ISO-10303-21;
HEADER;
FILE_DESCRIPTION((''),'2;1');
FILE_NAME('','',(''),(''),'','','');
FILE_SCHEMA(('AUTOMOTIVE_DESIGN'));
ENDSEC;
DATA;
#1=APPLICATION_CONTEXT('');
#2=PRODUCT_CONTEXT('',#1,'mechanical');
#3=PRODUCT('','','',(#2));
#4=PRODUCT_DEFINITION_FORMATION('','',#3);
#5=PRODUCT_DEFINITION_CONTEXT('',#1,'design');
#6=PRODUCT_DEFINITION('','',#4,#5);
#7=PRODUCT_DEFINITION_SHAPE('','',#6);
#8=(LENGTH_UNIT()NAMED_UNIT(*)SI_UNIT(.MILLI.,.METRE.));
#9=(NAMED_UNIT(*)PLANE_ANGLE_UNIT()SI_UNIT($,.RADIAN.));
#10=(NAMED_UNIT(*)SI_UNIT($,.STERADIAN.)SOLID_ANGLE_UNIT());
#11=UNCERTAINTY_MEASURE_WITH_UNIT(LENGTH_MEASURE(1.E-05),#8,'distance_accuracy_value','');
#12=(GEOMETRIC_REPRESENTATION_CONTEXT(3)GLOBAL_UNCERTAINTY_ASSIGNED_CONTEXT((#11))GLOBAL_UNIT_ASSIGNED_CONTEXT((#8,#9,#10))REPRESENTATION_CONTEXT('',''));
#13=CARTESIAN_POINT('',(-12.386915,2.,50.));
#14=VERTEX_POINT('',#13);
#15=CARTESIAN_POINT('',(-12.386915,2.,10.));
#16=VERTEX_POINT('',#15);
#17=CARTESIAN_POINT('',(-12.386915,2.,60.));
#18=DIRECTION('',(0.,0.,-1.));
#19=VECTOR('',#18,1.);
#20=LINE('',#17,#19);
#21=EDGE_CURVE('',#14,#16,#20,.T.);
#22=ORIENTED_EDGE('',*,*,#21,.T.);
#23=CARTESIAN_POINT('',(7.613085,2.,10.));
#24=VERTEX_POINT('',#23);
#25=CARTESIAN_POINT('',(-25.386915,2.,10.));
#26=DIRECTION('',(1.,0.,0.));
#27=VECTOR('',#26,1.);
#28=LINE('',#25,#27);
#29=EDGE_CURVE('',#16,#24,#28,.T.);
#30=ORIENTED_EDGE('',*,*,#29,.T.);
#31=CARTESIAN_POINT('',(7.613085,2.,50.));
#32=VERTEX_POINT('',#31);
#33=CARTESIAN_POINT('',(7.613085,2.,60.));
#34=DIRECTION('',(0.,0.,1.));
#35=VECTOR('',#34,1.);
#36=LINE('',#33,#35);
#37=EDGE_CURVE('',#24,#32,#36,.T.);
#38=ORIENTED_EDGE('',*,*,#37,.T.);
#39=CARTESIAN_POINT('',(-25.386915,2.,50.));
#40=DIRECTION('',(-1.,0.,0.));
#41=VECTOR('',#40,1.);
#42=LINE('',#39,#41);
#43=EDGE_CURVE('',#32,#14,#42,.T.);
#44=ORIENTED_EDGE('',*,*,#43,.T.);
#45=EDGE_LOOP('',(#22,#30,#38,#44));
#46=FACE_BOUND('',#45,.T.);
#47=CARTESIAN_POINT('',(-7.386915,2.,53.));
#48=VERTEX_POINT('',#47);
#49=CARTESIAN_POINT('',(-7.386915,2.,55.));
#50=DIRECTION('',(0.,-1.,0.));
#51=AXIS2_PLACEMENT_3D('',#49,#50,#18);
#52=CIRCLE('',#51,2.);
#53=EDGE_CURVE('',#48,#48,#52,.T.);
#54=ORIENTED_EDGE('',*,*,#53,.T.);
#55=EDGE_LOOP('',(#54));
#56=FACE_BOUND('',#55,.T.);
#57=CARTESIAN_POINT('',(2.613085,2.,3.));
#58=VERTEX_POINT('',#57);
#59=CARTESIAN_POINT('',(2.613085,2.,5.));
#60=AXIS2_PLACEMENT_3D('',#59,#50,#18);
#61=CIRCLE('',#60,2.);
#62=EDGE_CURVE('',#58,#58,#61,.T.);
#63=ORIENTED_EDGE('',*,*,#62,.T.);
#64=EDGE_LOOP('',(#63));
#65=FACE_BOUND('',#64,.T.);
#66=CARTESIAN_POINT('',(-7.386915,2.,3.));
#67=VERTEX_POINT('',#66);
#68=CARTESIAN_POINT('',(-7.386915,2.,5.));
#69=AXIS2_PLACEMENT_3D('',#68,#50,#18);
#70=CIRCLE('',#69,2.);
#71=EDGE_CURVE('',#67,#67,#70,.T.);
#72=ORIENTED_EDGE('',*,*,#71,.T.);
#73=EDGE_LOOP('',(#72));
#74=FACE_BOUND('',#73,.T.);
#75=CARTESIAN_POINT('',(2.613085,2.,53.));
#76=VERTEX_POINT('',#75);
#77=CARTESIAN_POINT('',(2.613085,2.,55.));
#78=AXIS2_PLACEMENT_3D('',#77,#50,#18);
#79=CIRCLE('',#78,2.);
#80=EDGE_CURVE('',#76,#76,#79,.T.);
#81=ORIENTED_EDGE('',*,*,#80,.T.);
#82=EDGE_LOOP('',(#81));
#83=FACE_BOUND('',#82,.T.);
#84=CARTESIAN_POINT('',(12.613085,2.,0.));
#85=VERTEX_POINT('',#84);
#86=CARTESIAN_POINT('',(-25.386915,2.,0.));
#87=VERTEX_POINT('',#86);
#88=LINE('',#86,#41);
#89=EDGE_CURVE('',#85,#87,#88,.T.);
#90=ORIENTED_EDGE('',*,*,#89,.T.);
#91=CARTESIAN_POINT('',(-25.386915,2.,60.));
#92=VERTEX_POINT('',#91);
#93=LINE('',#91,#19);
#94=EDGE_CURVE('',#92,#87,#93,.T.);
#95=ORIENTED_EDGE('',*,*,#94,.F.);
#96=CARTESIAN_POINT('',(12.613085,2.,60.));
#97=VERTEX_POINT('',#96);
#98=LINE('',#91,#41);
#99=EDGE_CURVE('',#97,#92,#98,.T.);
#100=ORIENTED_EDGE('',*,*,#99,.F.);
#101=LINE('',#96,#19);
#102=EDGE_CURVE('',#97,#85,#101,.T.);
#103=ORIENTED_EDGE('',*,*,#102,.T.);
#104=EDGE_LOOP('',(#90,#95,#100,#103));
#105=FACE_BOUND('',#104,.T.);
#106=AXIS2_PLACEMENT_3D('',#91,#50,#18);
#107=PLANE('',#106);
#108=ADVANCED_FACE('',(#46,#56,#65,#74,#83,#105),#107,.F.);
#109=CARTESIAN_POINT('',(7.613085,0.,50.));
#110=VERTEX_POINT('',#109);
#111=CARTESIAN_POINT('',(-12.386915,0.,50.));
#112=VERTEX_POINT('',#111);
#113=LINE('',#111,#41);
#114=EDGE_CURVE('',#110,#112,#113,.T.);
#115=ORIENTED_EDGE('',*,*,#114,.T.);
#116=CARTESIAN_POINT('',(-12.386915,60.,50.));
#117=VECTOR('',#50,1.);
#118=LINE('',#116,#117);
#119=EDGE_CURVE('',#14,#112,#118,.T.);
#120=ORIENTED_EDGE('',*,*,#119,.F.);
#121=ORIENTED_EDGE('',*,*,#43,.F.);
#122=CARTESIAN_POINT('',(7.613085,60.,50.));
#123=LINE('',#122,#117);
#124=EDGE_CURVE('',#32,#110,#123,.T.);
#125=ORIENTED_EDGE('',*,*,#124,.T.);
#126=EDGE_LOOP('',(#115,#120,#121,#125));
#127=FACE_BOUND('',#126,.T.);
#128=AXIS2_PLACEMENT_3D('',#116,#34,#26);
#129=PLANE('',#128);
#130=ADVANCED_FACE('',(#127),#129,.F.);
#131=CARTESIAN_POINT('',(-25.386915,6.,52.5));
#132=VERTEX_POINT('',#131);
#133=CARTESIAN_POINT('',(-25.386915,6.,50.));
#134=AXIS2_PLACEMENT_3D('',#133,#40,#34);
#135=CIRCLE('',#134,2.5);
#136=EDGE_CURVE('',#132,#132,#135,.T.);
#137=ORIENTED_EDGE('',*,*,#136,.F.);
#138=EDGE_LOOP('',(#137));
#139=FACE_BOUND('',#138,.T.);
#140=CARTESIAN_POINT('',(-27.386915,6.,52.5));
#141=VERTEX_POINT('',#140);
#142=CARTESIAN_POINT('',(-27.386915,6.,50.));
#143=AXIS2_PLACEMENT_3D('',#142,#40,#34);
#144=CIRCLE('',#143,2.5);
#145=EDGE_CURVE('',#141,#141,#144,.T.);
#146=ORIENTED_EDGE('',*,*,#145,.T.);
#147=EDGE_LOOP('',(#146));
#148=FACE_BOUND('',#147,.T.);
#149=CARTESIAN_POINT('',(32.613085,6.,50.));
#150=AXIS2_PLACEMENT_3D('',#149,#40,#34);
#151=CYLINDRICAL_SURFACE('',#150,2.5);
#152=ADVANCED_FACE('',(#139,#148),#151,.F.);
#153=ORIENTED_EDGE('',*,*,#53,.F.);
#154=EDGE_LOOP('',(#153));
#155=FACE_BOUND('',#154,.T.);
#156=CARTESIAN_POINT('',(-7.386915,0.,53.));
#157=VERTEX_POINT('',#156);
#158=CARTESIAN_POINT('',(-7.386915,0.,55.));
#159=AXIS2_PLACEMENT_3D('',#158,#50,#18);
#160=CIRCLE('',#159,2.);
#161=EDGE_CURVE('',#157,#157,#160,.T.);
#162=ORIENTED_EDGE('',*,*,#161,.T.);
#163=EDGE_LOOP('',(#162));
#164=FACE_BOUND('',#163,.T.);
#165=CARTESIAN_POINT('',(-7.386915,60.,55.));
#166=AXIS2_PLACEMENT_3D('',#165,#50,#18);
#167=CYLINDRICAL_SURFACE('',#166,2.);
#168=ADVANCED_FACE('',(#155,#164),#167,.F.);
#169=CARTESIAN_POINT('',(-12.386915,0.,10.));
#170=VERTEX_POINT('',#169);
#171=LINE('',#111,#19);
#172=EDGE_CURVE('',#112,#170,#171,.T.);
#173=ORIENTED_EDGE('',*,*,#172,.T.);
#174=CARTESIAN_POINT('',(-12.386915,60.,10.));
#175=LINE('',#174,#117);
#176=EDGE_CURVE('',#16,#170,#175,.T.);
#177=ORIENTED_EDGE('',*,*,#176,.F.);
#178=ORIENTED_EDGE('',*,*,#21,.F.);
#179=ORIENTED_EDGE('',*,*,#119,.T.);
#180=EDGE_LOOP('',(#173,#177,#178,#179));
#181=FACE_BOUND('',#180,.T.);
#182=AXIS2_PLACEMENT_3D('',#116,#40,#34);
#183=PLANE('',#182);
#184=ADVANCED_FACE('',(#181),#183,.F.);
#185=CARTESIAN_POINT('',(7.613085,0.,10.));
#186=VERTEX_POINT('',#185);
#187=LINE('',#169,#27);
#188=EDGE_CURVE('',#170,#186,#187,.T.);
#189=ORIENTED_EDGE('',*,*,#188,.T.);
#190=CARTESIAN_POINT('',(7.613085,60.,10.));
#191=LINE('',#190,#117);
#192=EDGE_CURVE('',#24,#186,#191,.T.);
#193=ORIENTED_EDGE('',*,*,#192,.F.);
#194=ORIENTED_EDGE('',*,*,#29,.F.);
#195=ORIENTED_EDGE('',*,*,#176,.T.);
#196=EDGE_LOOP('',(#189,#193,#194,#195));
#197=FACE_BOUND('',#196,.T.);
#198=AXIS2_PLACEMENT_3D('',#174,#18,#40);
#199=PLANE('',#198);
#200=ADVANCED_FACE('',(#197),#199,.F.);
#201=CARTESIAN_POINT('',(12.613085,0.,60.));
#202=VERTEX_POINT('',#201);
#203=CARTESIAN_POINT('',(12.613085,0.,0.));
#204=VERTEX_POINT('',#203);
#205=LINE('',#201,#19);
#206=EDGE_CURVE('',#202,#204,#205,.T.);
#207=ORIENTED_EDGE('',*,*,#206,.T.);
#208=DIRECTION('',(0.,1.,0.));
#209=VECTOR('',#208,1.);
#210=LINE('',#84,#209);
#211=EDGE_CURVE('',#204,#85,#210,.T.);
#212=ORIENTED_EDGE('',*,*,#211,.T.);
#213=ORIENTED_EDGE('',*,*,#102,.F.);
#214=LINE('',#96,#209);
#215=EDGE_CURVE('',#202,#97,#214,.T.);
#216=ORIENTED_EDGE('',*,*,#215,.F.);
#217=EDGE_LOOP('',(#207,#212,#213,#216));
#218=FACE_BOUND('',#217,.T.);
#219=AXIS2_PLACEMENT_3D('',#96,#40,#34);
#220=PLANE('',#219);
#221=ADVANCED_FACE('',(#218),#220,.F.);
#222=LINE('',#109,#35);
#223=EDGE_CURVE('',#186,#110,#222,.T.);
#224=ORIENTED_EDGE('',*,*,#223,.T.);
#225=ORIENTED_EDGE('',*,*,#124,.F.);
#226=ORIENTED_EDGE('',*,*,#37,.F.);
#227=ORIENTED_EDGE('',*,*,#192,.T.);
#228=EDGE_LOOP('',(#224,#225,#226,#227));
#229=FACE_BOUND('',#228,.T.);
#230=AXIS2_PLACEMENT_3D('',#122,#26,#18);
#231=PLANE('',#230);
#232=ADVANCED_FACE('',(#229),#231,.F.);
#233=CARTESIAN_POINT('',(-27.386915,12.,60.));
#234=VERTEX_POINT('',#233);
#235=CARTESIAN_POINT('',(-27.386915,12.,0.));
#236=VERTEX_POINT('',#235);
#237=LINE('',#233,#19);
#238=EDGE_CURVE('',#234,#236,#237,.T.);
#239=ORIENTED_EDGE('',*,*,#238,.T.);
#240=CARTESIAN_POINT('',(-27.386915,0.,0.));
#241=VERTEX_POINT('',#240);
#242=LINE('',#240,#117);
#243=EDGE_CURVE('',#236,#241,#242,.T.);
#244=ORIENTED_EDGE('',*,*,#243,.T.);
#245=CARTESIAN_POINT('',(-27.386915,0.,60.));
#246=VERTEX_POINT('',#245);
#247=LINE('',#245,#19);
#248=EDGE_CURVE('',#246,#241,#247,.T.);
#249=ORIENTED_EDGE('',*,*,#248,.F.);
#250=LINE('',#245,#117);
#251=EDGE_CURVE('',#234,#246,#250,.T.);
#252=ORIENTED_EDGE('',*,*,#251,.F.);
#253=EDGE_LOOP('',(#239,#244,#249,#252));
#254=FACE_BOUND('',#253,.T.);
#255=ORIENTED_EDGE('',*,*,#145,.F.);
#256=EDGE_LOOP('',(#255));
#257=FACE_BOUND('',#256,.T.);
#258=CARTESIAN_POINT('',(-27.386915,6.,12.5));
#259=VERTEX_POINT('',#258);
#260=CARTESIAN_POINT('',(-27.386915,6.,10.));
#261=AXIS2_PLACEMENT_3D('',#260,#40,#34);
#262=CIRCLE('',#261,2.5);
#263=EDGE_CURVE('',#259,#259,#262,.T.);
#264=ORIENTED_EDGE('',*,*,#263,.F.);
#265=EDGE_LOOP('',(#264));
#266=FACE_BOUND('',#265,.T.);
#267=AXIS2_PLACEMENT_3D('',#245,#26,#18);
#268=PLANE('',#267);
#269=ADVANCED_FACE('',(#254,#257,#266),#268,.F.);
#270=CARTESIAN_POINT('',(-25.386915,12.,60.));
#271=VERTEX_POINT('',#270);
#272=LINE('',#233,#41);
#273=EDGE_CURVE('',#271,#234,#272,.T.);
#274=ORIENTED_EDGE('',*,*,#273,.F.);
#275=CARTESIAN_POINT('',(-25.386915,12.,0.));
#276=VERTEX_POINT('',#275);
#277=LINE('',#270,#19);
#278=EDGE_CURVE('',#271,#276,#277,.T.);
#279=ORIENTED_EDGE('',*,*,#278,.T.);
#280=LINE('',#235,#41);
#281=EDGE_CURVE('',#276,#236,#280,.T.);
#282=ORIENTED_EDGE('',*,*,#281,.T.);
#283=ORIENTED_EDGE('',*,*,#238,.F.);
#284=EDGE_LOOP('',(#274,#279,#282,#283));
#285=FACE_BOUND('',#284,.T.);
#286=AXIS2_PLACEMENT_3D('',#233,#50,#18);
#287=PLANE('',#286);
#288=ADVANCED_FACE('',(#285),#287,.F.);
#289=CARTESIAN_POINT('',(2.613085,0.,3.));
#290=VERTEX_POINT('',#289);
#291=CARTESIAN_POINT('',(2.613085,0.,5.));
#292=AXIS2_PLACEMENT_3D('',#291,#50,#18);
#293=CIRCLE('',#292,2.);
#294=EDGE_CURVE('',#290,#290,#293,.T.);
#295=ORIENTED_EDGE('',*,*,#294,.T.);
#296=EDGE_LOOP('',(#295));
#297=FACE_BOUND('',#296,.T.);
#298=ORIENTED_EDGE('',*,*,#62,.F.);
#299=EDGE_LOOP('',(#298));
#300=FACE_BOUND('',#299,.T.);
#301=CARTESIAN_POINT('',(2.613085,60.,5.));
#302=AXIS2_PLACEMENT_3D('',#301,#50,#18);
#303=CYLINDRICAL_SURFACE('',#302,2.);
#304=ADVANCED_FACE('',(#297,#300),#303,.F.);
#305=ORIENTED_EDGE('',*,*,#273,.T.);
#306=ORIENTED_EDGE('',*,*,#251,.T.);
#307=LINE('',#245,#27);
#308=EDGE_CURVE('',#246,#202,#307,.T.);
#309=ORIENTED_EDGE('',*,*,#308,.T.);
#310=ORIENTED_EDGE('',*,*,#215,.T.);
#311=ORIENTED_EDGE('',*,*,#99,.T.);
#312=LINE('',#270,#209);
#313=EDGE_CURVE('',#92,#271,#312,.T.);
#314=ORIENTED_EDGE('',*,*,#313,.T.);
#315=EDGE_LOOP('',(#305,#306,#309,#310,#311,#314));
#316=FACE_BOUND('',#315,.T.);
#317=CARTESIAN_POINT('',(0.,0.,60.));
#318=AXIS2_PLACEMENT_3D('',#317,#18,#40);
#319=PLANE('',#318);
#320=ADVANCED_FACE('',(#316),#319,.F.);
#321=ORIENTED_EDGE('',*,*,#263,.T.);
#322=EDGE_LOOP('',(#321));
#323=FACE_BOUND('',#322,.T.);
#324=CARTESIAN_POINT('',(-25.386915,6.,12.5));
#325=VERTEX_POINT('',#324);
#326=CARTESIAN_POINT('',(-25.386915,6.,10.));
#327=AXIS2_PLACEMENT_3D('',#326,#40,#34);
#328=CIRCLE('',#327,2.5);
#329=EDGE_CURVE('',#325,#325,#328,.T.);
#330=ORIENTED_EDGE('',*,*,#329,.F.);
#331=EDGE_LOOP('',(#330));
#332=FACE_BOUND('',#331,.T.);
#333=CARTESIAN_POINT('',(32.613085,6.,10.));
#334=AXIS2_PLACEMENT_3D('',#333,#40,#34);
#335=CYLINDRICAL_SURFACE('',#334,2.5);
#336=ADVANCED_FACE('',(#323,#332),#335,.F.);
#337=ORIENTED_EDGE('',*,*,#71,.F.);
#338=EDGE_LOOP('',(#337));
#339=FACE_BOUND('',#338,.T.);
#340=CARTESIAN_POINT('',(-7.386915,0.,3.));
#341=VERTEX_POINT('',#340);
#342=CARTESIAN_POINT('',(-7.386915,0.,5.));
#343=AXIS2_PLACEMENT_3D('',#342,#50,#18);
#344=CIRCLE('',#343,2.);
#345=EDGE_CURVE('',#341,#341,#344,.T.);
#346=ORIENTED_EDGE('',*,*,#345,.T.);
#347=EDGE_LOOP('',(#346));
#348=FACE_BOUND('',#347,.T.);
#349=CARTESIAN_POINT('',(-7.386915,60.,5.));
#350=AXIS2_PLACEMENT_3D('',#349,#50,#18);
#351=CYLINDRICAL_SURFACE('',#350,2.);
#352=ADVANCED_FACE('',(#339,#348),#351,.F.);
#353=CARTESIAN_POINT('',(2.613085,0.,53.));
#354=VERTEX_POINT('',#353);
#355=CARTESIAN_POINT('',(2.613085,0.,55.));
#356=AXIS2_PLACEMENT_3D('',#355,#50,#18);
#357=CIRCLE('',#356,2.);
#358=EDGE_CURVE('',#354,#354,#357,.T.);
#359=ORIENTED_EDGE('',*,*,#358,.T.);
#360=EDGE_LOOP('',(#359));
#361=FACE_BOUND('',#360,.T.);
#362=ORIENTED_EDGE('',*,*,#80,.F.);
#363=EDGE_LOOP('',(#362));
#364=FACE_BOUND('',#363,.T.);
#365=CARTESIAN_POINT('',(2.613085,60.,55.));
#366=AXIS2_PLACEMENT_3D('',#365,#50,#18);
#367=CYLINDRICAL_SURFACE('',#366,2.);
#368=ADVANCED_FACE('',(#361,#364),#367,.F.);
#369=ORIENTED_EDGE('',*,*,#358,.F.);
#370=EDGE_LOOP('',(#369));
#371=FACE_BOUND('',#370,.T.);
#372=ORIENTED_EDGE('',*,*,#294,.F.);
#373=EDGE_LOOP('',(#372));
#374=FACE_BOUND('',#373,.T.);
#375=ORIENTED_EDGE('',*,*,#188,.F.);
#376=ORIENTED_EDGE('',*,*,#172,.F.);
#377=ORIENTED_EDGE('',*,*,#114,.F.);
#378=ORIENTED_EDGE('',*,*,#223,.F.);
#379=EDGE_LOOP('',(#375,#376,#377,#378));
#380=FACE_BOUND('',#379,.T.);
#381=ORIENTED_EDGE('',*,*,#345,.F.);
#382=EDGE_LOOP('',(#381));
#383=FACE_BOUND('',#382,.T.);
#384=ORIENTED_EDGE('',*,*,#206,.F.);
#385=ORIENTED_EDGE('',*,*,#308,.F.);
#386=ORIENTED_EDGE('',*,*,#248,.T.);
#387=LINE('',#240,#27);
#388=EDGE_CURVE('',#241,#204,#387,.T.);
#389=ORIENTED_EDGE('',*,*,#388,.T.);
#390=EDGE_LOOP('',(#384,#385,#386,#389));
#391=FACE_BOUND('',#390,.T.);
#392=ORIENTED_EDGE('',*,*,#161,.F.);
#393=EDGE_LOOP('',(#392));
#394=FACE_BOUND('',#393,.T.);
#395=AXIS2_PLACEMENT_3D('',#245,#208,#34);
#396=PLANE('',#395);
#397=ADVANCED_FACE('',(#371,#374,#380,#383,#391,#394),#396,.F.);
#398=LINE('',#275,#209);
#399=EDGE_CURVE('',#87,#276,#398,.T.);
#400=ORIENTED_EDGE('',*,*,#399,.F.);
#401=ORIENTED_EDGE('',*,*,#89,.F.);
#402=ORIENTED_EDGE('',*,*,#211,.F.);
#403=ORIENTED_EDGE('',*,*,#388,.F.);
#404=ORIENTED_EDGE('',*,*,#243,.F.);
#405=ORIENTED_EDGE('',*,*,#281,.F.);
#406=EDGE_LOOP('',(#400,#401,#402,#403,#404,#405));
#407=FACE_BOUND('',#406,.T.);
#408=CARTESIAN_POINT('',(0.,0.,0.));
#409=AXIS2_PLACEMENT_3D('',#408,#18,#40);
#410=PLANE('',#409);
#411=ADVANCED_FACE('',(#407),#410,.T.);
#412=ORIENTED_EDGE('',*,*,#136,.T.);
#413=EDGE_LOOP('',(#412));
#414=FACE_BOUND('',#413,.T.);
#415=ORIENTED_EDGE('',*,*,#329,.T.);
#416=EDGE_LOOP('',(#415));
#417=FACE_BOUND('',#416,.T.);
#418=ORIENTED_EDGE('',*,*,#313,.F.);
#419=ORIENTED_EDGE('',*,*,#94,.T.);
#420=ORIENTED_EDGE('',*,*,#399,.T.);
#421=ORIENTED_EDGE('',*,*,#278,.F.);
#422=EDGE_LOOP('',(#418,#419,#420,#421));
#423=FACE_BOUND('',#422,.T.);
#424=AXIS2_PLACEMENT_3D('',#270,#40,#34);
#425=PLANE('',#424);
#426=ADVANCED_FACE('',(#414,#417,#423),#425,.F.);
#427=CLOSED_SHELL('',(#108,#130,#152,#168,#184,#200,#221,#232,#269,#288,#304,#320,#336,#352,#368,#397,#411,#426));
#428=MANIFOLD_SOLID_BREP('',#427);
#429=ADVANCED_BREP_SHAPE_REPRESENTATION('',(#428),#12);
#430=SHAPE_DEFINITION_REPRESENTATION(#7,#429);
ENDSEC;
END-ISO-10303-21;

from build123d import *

# Parameters (mm, degrees)
SALIENTE_EXTRUIR1_DEPTH = 60
CROQUIS3_R              = 2.5
CORTAR_EXTRUIR1_DEPTH   = 60
CROQUIS4_R              = 2
CROQUIS4_W              = 20
CROQUIS4_H              = 40
CORTAR_EXTRUIR2_DEPTH   = 60


with BuildPart() as part:
    # Croquis2 → Saliente-Extruir1 (new body)
    with BuildSketch(Plane.XY):
        Polygon((-27.386914876, 0), (12.613085124, 0), (12.613085124, 2), (-25.386914876, 2), (-25.386914876, 12), (-27.386914876, 12), align=None)
    extrude(amount=SALIENTE_EXTRUIR1_DEPTH)

    # Croquis3 → Cortar-Extruir1 (cut)
    with BuildSketch(Plane.ZY.offset(27.386914876)):
        with Locations((10, 6)):
            Circle(CROQUIS3_R)
        with Locations((50, 6)):
            Circle(CROQUIS3_R)
    extrude(amount=-CORTAR_EXTRUIR1_DEPTH, mode=Mode.SUBTRACT)

    # Croquis4 → Cortar-Extruir2 (cut)
    with BuildSketch(Plane.XZ):
        with Locations((-7.386914876, 55)):
            Circle(CROQUIS4_R)
        with Locations((2.613085124, 55)):
            Circle(CROQUIS4_R)
        with Locations((-7.386914876, 5)):
            Circle(CROQUIS4_R)
        with Locations((2.613085124, 5)):
            Circle(CROQUIS4_R)
        with Locations((-2.386914876, 30)):
            Rectangle(CROQUIS4_W, CROQUIS4_H)
    extrude(amount=-CORTAR_EXTRUIR2_DEPTH, mode=Mode.SUBTRACT)


solid = part.part
